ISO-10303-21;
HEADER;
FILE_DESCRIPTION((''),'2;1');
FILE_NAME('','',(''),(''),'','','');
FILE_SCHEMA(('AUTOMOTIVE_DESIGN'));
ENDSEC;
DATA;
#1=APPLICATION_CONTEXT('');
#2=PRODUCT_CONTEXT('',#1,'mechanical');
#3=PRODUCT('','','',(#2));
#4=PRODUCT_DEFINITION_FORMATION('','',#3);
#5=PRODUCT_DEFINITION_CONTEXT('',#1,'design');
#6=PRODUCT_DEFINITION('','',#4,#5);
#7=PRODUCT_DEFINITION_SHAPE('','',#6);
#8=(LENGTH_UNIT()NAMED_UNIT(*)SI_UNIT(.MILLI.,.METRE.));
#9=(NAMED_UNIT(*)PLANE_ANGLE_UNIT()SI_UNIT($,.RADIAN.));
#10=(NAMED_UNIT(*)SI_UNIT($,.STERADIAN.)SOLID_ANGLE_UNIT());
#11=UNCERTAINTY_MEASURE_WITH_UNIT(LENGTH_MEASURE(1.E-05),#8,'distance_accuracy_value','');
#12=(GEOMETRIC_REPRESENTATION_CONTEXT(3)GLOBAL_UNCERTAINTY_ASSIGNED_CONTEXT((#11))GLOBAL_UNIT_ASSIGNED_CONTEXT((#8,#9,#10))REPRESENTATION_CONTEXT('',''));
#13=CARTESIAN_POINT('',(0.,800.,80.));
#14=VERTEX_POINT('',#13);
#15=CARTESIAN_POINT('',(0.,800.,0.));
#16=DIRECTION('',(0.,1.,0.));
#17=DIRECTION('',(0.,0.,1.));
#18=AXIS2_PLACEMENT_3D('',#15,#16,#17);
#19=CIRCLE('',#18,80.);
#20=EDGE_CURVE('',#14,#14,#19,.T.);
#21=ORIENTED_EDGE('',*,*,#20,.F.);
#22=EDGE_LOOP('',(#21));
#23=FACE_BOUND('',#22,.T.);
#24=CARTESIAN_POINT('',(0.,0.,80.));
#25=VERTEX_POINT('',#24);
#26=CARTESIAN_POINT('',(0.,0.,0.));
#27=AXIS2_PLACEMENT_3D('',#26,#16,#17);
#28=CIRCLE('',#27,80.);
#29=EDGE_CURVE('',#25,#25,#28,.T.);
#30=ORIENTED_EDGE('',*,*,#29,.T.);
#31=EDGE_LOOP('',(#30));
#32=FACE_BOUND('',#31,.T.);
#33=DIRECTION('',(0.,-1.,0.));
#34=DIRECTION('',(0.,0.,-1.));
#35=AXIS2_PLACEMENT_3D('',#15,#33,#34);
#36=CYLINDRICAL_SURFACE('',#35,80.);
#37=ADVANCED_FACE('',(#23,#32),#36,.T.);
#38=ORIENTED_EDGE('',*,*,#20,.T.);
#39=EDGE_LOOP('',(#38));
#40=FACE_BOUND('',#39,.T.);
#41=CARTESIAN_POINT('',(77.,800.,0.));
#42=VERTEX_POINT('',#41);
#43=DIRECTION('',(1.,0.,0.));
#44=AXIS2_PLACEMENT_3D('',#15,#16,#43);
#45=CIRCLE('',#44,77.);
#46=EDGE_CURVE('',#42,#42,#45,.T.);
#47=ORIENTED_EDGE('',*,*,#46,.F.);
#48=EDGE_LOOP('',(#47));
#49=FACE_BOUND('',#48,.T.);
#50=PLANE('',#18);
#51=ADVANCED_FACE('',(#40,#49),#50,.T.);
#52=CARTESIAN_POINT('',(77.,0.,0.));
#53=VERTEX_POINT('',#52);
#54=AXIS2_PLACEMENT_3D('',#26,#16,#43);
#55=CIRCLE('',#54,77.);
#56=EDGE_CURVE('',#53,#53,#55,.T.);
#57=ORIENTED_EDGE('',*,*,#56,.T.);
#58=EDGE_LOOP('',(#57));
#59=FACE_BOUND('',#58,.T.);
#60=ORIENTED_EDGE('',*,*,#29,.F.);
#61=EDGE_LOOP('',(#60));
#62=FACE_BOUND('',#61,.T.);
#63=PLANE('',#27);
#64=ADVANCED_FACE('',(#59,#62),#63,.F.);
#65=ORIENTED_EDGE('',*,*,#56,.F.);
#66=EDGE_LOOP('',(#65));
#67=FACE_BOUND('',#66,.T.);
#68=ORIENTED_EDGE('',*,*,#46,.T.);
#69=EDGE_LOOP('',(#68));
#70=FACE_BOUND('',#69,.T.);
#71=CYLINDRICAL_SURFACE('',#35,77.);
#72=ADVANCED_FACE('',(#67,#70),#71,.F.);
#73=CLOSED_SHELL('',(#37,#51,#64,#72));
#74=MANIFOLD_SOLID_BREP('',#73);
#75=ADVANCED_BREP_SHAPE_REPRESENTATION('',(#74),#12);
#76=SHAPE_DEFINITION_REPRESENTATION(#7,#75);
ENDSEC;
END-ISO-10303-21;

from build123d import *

# Parameters (mm, degrees)
SKETCH_1_R      = 80
SKETCH_1_R_2    = 77
EXTRUDE_1_DEPTH = 800


with BuildPart() as part:
    # Эскиз1 → Вытянуть-Тонкостенный1 (new body)
    with BuildSketch(Plane(origin=(0, 0, 0), x_dir=(1, 0, 0), z_dir=(0, 1, 0))):
        Circle(SKETCH_1_R)
        Circle(SKETCH_1_R_2, mode=Mode.SUBTRACT)
    extrude(amount=EXTRUDE_1_DEPTH)


solid = part.part
